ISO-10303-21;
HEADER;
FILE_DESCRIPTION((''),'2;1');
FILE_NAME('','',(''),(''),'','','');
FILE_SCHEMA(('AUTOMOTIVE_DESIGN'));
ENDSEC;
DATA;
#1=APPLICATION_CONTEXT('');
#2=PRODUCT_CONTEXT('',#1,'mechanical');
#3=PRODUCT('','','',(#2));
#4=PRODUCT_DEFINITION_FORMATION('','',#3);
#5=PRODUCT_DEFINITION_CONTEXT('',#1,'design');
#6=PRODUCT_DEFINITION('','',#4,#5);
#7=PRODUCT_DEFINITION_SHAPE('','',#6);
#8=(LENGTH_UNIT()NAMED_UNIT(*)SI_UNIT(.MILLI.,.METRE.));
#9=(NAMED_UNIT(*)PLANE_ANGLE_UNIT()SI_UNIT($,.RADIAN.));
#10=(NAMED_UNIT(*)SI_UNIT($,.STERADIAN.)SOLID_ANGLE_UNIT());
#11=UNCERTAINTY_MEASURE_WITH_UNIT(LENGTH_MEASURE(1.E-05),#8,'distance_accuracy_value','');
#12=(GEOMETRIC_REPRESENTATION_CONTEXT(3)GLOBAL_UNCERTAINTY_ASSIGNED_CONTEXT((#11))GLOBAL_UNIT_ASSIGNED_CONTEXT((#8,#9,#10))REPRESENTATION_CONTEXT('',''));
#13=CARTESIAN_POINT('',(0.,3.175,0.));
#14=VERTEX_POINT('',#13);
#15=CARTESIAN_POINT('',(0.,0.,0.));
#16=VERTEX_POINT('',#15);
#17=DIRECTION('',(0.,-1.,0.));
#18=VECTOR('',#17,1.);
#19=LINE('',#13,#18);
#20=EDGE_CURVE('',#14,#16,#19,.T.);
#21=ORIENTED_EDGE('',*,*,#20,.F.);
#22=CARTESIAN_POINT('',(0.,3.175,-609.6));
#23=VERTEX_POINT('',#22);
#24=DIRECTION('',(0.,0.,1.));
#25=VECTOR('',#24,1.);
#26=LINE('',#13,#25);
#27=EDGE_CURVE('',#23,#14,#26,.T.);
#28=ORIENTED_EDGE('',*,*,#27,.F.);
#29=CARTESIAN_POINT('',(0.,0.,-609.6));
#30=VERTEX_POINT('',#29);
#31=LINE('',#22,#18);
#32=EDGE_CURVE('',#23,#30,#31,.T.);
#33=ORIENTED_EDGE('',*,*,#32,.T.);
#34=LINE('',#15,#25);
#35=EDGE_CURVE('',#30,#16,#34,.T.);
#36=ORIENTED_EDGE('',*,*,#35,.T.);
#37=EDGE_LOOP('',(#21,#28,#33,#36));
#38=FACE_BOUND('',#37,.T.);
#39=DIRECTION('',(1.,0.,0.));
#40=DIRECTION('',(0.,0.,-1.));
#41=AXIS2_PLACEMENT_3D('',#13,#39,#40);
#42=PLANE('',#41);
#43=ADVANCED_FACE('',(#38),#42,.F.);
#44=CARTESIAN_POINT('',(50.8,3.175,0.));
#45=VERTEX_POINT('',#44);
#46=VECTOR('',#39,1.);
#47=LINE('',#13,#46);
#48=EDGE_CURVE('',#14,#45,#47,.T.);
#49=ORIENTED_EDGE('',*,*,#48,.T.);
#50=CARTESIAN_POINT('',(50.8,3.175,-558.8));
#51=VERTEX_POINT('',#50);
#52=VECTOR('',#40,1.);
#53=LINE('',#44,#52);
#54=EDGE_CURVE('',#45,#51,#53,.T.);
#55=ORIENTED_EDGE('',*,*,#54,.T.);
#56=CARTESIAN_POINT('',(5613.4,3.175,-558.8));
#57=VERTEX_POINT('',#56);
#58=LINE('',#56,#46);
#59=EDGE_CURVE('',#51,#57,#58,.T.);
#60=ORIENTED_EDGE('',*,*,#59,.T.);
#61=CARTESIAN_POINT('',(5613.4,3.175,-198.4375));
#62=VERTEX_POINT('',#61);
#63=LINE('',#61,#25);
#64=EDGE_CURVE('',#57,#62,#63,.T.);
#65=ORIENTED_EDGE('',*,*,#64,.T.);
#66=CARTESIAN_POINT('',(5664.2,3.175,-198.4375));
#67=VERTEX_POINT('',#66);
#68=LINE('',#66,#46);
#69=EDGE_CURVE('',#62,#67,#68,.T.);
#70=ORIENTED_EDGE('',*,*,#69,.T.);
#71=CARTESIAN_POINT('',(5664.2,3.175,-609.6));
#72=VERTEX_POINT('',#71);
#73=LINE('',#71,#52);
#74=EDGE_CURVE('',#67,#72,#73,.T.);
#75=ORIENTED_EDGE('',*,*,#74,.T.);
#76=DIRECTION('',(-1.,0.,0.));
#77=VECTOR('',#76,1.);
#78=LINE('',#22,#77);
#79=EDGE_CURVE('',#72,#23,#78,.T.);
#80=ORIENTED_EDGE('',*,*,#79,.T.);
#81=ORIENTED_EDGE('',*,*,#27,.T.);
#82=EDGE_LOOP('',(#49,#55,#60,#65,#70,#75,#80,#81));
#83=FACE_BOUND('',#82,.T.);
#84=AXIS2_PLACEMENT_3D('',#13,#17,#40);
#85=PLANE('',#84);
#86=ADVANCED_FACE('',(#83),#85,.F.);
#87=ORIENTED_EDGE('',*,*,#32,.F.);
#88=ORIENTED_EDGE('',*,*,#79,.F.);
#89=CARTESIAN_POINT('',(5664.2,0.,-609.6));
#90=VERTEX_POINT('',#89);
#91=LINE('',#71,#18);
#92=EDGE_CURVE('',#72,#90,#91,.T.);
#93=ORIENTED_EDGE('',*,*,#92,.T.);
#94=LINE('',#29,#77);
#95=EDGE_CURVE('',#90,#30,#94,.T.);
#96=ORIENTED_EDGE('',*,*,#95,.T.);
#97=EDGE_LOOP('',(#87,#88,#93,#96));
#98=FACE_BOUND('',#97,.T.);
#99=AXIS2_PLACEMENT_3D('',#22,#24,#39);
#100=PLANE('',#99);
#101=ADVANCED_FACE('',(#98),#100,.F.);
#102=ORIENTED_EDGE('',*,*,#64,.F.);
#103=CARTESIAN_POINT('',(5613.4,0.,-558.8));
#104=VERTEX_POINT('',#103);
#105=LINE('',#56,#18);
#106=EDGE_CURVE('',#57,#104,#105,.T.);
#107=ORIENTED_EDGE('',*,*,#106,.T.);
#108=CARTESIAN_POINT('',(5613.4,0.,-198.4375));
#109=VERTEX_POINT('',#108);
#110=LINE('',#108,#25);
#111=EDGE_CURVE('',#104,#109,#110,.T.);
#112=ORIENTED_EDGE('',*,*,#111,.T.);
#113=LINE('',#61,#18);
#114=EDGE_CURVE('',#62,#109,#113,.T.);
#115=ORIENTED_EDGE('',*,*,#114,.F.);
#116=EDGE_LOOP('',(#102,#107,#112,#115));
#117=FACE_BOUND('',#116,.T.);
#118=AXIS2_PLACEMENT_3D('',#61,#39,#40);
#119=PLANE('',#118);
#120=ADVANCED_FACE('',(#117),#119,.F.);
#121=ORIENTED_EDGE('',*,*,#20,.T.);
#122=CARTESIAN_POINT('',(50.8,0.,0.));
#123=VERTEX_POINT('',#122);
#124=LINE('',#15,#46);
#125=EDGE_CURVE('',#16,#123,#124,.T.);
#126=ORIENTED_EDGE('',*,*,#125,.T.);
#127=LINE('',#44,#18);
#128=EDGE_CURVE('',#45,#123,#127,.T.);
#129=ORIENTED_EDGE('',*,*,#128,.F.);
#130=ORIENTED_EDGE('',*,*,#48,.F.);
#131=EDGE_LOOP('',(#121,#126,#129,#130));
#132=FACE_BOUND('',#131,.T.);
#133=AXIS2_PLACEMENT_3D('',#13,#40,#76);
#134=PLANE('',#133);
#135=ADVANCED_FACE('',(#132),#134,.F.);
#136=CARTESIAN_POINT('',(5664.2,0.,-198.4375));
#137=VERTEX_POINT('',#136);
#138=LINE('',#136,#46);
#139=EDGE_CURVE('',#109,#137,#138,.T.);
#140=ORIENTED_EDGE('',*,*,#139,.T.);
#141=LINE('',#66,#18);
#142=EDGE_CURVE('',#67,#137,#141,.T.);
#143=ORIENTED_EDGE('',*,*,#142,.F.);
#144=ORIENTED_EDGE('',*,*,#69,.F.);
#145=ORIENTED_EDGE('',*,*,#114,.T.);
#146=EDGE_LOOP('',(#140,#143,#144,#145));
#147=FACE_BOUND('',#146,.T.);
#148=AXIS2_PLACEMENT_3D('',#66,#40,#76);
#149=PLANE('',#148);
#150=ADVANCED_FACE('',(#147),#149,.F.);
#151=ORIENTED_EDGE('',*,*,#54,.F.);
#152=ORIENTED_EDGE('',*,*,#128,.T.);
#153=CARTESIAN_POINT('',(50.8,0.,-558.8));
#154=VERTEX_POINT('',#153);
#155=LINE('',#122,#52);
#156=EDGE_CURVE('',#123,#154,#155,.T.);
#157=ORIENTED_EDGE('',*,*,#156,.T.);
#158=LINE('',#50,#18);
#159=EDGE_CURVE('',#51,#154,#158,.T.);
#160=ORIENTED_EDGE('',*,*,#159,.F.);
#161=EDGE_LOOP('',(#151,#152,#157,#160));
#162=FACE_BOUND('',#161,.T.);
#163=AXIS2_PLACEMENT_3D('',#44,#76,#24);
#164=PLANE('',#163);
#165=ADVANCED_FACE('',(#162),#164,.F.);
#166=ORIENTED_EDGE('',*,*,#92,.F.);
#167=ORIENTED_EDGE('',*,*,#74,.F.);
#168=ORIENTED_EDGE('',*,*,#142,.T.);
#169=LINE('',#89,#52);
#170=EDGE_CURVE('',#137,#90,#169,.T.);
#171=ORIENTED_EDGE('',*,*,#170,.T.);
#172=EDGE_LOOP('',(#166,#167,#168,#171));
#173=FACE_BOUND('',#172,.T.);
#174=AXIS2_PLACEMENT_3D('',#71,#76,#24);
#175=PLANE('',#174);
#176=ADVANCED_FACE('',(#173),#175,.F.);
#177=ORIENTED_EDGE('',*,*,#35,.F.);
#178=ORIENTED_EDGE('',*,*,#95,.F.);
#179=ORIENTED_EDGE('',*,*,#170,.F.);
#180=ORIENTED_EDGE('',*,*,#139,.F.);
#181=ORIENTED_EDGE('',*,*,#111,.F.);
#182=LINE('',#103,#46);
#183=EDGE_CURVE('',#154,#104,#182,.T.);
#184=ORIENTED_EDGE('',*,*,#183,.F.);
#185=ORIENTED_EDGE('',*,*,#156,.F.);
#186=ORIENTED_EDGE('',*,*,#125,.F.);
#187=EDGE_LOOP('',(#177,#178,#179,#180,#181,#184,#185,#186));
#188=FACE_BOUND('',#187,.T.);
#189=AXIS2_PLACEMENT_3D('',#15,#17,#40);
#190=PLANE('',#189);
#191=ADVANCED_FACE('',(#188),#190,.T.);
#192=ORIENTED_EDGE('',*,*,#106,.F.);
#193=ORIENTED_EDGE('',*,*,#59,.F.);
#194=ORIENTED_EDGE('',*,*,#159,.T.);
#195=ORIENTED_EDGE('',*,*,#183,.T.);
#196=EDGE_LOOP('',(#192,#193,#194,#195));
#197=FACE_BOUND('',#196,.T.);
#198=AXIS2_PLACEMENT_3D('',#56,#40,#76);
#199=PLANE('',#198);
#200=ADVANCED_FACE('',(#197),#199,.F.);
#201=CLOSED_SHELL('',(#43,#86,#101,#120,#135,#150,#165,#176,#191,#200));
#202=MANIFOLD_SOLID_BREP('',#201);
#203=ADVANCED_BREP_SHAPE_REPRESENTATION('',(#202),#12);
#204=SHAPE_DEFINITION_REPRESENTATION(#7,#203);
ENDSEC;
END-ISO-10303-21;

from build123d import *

# Parameters (mm, degrees)
BOSS_EXTRUDE1_DEPTH = 3.175


with BuildPart() as part:
    # Sketch1 → Boss-Extrude1 (new body)
    with BuildSketch(Plane(origin=(0, 0, 0), x_dir=(1, 0, 0), z_dir=(0, 1, 0))):
        Polygon((0, 609.6), (5664.2, 609.6), (5664.2, 198.4375), (5613.4, 198.4375), (5613.4, 558.8), (50.8, 558.8), (50.8, 0), (0, 0), align=None)
    extrude(amount=BOSS_EXTRUDE1_DEPTH)


solid = part.part
